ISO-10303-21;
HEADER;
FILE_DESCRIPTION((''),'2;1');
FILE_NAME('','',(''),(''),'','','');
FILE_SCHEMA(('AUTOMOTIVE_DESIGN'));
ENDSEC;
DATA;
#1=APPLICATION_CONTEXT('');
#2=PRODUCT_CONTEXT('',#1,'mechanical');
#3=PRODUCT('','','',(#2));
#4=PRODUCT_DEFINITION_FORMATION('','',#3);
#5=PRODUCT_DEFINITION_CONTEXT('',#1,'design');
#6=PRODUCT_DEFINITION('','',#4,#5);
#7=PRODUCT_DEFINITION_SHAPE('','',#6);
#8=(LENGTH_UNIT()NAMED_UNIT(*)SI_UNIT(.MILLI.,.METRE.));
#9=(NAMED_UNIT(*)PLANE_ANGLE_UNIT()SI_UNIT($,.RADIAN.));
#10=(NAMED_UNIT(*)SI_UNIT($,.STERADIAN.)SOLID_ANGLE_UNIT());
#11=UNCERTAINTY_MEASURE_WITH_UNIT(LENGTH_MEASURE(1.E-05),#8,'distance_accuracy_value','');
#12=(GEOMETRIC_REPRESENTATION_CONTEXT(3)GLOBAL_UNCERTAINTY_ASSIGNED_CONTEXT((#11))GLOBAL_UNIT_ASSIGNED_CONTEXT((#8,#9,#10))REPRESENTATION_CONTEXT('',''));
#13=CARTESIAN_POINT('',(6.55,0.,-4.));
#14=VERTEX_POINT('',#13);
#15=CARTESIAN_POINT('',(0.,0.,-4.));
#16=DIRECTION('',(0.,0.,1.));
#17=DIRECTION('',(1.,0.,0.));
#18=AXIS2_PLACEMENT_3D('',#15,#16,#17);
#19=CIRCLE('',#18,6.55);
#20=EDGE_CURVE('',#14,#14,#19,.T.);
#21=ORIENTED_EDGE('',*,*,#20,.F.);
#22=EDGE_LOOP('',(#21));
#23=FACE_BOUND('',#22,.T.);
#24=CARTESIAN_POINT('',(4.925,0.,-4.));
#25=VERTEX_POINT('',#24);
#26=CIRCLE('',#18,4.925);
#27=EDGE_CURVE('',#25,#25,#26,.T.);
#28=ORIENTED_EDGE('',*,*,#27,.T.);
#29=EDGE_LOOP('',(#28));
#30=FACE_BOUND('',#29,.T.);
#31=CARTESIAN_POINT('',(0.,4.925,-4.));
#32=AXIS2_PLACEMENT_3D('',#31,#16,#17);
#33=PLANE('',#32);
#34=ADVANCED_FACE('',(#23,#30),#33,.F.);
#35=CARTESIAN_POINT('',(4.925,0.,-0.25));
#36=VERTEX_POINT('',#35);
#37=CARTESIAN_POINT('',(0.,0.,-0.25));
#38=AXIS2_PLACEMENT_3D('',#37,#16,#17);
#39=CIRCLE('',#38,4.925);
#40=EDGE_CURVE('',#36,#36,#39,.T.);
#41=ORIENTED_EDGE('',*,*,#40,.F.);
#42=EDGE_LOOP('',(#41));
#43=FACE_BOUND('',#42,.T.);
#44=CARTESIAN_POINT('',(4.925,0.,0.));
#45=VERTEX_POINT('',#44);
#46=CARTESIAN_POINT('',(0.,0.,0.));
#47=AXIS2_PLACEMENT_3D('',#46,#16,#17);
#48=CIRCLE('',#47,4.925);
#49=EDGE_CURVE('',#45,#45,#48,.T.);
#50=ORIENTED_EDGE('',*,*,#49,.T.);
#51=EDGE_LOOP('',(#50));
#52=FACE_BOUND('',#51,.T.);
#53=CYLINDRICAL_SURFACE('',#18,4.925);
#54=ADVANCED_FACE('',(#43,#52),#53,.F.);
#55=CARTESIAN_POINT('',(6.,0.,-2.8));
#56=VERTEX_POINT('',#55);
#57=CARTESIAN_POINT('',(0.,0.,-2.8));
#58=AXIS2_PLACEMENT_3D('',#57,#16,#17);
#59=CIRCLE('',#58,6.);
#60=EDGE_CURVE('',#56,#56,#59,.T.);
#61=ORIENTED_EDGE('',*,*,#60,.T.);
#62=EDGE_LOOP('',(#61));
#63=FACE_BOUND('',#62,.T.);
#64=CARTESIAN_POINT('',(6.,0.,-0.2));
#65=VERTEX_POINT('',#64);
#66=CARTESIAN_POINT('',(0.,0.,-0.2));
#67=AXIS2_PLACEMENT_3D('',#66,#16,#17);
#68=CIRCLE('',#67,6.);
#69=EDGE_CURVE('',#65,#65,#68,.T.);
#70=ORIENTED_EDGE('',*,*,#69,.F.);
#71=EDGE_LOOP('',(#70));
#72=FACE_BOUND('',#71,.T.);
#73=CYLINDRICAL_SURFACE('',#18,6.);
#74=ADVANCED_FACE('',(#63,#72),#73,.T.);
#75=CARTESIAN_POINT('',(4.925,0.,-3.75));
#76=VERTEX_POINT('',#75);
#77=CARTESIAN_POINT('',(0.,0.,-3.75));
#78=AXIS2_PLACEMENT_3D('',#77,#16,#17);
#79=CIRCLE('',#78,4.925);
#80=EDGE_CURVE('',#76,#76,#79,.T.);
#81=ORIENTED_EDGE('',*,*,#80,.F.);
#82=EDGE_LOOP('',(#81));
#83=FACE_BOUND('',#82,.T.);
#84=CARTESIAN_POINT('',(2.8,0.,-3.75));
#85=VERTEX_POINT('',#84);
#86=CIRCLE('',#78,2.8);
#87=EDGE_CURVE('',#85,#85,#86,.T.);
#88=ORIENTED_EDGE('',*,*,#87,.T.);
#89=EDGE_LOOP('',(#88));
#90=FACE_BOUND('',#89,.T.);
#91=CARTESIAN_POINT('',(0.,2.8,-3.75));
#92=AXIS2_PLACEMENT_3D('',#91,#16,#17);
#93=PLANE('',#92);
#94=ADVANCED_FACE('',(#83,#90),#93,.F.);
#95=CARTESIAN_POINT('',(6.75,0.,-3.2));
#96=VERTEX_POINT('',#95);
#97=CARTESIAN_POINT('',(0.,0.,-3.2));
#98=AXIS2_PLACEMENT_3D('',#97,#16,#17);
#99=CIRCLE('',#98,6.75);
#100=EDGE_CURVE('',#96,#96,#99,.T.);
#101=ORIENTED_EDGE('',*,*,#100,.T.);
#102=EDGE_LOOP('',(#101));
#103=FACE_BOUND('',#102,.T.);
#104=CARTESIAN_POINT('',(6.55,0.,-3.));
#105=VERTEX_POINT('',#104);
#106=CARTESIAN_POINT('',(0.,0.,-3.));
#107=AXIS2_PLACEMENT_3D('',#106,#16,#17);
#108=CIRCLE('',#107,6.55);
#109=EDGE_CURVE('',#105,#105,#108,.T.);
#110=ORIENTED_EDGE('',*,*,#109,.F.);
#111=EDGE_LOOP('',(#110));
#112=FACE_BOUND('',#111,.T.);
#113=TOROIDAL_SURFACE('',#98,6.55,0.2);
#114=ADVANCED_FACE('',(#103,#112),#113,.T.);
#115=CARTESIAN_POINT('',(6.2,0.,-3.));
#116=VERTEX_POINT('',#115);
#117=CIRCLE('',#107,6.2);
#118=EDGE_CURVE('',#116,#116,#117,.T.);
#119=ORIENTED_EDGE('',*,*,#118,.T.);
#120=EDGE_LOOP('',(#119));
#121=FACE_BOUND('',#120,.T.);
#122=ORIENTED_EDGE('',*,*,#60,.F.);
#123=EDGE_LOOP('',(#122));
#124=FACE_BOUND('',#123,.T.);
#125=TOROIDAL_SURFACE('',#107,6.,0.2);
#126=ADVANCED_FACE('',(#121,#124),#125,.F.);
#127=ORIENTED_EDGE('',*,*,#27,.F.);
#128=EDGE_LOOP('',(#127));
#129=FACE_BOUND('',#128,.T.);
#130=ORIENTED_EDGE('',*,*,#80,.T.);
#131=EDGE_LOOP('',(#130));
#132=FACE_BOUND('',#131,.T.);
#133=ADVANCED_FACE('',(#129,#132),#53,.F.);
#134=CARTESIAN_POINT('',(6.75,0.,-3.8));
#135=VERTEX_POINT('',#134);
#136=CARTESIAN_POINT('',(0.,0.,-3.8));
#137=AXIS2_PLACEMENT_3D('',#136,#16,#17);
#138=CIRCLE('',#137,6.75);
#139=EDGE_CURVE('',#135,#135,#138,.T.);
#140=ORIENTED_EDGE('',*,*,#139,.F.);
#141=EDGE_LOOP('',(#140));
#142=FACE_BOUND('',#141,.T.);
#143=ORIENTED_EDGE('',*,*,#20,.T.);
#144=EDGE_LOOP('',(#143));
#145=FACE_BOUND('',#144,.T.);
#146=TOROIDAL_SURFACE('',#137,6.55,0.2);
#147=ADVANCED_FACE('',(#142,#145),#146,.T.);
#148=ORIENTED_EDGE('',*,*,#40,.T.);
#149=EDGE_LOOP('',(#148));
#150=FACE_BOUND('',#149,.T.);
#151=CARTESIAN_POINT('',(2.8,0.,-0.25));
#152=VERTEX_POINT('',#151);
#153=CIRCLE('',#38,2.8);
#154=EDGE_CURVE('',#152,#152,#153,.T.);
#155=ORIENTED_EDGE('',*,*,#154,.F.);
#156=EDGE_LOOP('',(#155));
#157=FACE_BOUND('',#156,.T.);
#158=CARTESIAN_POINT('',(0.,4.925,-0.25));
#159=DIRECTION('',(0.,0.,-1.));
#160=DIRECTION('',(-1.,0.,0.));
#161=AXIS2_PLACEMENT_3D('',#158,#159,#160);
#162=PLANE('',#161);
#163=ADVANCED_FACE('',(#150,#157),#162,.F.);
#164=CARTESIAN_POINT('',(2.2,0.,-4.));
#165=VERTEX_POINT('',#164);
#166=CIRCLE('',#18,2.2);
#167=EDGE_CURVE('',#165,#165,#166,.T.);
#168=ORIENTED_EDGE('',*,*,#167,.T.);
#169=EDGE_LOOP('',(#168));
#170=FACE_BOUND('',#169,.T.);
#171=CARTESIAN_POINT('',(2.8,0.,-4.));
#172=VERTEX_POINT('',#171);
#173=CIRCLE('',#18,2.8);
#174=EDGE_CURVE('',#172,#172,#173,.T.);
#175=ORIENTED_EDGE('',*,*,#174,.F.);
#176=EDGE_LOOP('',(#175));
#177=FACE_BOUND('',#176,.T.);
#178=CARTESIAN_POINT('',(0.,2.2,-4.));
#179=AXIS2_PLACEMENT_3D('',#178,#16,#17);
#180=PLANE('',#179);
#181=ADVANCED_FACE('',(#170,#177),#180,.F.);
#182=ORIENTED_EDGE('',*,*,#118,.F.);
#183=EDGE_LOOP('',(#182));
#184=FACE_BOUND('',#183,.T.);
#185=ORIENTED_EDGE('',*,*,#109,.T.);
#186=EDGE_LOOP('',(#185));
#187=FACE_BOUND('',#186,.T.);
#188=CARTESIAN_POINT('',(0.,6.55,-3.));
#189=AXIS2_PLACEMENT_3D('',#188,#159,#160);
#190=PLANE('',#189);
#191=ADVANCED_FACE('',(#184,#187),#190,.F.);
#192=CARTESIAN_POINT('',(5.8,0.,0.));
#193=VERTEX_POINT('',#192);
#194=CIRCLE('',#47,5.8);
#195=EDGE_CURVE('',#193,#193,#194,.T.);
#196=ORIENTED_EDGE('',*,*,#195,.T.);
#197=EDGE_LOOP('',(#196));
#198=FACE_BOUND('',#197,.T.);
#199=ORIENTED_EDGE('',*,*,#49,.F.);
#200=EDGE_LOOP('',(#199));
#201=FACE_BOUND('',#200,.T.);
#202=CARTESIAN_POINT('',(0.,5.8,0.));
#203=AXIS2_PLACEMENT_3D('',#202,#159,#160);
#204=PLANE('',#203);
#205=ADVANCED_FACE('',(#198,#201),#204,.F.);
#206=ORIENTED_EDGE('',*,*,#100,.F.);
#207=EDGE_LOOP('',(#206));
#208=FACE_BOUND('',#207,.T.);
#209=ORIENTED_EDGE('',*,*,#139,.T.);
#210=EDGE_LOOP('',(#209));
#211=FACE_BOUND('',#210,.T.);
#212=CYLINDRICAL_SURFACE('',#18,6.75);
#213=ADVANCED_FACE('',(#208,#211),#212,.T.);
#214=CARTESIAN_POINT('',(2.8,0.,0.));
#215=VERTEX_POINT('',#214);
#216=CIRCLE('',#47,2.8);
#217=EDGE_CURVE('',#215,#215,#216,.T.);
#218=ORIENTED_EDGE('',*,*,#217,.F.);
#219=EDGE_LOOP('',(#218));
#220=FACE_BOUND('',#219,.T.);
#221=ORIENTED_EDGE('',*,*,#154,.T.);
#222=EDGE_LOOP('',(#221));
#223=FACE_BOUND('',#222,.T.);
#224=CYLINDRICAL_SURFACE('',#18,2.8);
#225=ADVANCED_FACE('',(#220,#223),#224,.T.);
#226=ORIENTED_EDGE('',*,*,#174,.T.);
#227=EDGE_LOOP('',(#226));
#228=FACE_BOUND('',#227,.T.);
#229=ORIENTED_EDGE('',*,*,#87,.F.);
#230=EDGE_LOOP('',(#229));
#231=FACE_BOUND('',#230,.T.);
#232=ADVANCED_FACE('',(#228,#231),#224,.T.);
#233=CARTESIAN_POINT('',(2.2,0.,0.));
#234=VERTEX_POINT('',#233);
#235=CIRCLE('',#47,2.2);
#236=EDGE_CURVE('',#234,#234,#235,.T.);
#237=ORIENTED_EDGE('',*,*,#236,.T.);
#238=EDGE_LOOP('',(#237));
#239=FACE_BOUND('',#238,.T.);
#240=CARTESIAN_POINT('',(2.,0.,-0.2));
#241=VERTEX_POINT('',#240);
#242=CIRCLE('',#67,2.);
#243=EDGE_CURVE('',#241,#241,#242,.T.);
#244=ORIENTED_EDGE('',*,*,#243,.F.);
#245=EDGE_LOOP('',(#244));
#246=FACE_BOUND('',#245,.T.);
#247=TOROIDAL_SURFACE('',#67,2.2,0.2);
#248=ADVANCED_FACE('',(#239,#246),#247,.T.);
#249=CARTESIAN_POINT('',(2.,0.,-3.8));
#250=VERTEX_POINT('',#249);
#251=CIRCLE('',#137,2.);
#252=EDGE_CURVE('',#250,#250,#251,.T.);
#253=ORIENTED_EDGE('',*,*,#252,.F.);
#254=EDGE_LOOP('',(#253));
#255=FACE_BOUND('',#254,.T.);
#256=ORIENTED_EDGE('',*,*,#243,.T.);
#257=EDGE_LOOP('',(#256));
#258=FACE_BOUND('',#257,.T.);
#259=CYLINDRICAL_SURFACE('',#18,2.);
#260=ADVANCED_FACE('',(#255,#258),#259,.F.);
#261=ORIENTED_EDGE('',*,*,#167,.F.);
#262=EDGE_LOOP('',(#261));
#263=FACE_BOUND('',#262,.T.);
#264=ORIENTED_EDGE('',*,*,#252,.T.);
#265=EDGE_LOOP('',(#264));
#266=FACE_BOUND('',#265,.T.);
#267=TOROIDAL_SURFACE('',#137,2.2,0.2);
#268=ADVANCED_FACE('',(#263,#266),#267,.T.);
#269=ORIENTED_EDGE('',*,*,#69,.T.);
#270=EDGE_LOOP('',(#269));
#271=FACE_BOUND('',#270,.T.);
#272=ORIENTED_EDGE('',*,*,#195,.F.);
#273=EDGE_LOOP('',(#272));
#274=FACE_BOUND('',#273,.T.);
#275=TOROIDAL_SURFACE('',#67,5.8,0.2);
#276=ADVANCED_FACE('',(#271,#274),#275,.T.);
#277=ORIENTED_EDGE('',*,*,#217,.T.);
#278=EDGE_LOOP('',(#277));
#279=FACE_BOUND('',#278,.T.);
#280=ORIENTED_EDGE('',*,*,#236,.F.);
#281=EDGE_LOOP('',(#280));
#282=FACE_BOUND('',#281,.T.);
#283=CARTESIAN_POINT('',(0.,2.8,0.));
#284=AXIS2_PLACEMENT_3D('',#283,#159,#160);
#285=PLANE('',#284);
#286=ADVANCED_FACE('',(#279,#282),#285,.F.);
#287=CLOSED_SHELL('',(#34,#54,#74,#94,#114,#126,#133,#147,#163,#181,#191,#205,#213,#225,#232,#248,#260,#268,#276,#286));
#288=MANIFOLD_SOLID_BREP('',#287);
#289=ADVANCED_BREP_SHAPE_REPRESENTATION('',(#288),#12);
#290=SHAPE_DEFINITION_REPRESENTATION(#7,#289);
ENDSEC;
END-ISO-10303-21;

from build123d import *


with BuildPart() as part:
    # Esquisse1 → Révolution1 (revolve)
    with BuildSketch(Plane(origin=(0, 0, 0), x_dir=(0, 0, -1), z_dir=(1, 0, 0)), mode=Mode.PRIVATE) as r_volution1_sk:
        with BuildLine():
            Line((0, 5.8), (0, 4.925))
            Line((0, 4.925), (0.25, 4.925))
            Line((0.25, 4.925), (0.25, 2.8))
            Line((0.25, 2.8), (0, 2.8))
            Line((0, 2.8), (0, 2.2))
            ThreePointArc((0, 2.2), (0.058578644, 2.058578644), (0.2, 2))
            Line((0.2, 2), (3.8, 2))
            ThreePointArc((3.8, 2), (3.941421356, 2.058578644), (4, 2.2))
            Line((4, 2.2), (4, 2.8))
            Line((4, 2.8), (3.75, 2.8))
            Line((3.75, 2.8), (3.75, 4.925))
            Line((3.75, 4.925), (4, 4.925))
            Line((4, 4.925), (4, 6.55))
            ThreePointArc((4, 6.55), (3.941421356, 6.691421356), (3.8, 6.75))
            Line((3.8, 6.75), (3.2, 6.75))
            ThreePointArc((3.2, 6.75), (3.058578644, 6.691421356), (3, 6.55))
            Line((3, 6.55), (3, 6.2))
            ThreePointArc((3, 6.2), (3.141421356, 5.858578644), (2.8, 6))
            Line((2.8, 6), (0.2, 6))
            ThreePointArc((0.2, 6), (0.058578644, 5.941421356), (0, 5.8))
        make_face()
    revolve(r_volution1_sk.sketch.rotate(Axis((0, 0, -4), (0, 0, 1)), 270), axis=Axis((0, 0, -4), (0, 0, 1)))


solid = part.part
